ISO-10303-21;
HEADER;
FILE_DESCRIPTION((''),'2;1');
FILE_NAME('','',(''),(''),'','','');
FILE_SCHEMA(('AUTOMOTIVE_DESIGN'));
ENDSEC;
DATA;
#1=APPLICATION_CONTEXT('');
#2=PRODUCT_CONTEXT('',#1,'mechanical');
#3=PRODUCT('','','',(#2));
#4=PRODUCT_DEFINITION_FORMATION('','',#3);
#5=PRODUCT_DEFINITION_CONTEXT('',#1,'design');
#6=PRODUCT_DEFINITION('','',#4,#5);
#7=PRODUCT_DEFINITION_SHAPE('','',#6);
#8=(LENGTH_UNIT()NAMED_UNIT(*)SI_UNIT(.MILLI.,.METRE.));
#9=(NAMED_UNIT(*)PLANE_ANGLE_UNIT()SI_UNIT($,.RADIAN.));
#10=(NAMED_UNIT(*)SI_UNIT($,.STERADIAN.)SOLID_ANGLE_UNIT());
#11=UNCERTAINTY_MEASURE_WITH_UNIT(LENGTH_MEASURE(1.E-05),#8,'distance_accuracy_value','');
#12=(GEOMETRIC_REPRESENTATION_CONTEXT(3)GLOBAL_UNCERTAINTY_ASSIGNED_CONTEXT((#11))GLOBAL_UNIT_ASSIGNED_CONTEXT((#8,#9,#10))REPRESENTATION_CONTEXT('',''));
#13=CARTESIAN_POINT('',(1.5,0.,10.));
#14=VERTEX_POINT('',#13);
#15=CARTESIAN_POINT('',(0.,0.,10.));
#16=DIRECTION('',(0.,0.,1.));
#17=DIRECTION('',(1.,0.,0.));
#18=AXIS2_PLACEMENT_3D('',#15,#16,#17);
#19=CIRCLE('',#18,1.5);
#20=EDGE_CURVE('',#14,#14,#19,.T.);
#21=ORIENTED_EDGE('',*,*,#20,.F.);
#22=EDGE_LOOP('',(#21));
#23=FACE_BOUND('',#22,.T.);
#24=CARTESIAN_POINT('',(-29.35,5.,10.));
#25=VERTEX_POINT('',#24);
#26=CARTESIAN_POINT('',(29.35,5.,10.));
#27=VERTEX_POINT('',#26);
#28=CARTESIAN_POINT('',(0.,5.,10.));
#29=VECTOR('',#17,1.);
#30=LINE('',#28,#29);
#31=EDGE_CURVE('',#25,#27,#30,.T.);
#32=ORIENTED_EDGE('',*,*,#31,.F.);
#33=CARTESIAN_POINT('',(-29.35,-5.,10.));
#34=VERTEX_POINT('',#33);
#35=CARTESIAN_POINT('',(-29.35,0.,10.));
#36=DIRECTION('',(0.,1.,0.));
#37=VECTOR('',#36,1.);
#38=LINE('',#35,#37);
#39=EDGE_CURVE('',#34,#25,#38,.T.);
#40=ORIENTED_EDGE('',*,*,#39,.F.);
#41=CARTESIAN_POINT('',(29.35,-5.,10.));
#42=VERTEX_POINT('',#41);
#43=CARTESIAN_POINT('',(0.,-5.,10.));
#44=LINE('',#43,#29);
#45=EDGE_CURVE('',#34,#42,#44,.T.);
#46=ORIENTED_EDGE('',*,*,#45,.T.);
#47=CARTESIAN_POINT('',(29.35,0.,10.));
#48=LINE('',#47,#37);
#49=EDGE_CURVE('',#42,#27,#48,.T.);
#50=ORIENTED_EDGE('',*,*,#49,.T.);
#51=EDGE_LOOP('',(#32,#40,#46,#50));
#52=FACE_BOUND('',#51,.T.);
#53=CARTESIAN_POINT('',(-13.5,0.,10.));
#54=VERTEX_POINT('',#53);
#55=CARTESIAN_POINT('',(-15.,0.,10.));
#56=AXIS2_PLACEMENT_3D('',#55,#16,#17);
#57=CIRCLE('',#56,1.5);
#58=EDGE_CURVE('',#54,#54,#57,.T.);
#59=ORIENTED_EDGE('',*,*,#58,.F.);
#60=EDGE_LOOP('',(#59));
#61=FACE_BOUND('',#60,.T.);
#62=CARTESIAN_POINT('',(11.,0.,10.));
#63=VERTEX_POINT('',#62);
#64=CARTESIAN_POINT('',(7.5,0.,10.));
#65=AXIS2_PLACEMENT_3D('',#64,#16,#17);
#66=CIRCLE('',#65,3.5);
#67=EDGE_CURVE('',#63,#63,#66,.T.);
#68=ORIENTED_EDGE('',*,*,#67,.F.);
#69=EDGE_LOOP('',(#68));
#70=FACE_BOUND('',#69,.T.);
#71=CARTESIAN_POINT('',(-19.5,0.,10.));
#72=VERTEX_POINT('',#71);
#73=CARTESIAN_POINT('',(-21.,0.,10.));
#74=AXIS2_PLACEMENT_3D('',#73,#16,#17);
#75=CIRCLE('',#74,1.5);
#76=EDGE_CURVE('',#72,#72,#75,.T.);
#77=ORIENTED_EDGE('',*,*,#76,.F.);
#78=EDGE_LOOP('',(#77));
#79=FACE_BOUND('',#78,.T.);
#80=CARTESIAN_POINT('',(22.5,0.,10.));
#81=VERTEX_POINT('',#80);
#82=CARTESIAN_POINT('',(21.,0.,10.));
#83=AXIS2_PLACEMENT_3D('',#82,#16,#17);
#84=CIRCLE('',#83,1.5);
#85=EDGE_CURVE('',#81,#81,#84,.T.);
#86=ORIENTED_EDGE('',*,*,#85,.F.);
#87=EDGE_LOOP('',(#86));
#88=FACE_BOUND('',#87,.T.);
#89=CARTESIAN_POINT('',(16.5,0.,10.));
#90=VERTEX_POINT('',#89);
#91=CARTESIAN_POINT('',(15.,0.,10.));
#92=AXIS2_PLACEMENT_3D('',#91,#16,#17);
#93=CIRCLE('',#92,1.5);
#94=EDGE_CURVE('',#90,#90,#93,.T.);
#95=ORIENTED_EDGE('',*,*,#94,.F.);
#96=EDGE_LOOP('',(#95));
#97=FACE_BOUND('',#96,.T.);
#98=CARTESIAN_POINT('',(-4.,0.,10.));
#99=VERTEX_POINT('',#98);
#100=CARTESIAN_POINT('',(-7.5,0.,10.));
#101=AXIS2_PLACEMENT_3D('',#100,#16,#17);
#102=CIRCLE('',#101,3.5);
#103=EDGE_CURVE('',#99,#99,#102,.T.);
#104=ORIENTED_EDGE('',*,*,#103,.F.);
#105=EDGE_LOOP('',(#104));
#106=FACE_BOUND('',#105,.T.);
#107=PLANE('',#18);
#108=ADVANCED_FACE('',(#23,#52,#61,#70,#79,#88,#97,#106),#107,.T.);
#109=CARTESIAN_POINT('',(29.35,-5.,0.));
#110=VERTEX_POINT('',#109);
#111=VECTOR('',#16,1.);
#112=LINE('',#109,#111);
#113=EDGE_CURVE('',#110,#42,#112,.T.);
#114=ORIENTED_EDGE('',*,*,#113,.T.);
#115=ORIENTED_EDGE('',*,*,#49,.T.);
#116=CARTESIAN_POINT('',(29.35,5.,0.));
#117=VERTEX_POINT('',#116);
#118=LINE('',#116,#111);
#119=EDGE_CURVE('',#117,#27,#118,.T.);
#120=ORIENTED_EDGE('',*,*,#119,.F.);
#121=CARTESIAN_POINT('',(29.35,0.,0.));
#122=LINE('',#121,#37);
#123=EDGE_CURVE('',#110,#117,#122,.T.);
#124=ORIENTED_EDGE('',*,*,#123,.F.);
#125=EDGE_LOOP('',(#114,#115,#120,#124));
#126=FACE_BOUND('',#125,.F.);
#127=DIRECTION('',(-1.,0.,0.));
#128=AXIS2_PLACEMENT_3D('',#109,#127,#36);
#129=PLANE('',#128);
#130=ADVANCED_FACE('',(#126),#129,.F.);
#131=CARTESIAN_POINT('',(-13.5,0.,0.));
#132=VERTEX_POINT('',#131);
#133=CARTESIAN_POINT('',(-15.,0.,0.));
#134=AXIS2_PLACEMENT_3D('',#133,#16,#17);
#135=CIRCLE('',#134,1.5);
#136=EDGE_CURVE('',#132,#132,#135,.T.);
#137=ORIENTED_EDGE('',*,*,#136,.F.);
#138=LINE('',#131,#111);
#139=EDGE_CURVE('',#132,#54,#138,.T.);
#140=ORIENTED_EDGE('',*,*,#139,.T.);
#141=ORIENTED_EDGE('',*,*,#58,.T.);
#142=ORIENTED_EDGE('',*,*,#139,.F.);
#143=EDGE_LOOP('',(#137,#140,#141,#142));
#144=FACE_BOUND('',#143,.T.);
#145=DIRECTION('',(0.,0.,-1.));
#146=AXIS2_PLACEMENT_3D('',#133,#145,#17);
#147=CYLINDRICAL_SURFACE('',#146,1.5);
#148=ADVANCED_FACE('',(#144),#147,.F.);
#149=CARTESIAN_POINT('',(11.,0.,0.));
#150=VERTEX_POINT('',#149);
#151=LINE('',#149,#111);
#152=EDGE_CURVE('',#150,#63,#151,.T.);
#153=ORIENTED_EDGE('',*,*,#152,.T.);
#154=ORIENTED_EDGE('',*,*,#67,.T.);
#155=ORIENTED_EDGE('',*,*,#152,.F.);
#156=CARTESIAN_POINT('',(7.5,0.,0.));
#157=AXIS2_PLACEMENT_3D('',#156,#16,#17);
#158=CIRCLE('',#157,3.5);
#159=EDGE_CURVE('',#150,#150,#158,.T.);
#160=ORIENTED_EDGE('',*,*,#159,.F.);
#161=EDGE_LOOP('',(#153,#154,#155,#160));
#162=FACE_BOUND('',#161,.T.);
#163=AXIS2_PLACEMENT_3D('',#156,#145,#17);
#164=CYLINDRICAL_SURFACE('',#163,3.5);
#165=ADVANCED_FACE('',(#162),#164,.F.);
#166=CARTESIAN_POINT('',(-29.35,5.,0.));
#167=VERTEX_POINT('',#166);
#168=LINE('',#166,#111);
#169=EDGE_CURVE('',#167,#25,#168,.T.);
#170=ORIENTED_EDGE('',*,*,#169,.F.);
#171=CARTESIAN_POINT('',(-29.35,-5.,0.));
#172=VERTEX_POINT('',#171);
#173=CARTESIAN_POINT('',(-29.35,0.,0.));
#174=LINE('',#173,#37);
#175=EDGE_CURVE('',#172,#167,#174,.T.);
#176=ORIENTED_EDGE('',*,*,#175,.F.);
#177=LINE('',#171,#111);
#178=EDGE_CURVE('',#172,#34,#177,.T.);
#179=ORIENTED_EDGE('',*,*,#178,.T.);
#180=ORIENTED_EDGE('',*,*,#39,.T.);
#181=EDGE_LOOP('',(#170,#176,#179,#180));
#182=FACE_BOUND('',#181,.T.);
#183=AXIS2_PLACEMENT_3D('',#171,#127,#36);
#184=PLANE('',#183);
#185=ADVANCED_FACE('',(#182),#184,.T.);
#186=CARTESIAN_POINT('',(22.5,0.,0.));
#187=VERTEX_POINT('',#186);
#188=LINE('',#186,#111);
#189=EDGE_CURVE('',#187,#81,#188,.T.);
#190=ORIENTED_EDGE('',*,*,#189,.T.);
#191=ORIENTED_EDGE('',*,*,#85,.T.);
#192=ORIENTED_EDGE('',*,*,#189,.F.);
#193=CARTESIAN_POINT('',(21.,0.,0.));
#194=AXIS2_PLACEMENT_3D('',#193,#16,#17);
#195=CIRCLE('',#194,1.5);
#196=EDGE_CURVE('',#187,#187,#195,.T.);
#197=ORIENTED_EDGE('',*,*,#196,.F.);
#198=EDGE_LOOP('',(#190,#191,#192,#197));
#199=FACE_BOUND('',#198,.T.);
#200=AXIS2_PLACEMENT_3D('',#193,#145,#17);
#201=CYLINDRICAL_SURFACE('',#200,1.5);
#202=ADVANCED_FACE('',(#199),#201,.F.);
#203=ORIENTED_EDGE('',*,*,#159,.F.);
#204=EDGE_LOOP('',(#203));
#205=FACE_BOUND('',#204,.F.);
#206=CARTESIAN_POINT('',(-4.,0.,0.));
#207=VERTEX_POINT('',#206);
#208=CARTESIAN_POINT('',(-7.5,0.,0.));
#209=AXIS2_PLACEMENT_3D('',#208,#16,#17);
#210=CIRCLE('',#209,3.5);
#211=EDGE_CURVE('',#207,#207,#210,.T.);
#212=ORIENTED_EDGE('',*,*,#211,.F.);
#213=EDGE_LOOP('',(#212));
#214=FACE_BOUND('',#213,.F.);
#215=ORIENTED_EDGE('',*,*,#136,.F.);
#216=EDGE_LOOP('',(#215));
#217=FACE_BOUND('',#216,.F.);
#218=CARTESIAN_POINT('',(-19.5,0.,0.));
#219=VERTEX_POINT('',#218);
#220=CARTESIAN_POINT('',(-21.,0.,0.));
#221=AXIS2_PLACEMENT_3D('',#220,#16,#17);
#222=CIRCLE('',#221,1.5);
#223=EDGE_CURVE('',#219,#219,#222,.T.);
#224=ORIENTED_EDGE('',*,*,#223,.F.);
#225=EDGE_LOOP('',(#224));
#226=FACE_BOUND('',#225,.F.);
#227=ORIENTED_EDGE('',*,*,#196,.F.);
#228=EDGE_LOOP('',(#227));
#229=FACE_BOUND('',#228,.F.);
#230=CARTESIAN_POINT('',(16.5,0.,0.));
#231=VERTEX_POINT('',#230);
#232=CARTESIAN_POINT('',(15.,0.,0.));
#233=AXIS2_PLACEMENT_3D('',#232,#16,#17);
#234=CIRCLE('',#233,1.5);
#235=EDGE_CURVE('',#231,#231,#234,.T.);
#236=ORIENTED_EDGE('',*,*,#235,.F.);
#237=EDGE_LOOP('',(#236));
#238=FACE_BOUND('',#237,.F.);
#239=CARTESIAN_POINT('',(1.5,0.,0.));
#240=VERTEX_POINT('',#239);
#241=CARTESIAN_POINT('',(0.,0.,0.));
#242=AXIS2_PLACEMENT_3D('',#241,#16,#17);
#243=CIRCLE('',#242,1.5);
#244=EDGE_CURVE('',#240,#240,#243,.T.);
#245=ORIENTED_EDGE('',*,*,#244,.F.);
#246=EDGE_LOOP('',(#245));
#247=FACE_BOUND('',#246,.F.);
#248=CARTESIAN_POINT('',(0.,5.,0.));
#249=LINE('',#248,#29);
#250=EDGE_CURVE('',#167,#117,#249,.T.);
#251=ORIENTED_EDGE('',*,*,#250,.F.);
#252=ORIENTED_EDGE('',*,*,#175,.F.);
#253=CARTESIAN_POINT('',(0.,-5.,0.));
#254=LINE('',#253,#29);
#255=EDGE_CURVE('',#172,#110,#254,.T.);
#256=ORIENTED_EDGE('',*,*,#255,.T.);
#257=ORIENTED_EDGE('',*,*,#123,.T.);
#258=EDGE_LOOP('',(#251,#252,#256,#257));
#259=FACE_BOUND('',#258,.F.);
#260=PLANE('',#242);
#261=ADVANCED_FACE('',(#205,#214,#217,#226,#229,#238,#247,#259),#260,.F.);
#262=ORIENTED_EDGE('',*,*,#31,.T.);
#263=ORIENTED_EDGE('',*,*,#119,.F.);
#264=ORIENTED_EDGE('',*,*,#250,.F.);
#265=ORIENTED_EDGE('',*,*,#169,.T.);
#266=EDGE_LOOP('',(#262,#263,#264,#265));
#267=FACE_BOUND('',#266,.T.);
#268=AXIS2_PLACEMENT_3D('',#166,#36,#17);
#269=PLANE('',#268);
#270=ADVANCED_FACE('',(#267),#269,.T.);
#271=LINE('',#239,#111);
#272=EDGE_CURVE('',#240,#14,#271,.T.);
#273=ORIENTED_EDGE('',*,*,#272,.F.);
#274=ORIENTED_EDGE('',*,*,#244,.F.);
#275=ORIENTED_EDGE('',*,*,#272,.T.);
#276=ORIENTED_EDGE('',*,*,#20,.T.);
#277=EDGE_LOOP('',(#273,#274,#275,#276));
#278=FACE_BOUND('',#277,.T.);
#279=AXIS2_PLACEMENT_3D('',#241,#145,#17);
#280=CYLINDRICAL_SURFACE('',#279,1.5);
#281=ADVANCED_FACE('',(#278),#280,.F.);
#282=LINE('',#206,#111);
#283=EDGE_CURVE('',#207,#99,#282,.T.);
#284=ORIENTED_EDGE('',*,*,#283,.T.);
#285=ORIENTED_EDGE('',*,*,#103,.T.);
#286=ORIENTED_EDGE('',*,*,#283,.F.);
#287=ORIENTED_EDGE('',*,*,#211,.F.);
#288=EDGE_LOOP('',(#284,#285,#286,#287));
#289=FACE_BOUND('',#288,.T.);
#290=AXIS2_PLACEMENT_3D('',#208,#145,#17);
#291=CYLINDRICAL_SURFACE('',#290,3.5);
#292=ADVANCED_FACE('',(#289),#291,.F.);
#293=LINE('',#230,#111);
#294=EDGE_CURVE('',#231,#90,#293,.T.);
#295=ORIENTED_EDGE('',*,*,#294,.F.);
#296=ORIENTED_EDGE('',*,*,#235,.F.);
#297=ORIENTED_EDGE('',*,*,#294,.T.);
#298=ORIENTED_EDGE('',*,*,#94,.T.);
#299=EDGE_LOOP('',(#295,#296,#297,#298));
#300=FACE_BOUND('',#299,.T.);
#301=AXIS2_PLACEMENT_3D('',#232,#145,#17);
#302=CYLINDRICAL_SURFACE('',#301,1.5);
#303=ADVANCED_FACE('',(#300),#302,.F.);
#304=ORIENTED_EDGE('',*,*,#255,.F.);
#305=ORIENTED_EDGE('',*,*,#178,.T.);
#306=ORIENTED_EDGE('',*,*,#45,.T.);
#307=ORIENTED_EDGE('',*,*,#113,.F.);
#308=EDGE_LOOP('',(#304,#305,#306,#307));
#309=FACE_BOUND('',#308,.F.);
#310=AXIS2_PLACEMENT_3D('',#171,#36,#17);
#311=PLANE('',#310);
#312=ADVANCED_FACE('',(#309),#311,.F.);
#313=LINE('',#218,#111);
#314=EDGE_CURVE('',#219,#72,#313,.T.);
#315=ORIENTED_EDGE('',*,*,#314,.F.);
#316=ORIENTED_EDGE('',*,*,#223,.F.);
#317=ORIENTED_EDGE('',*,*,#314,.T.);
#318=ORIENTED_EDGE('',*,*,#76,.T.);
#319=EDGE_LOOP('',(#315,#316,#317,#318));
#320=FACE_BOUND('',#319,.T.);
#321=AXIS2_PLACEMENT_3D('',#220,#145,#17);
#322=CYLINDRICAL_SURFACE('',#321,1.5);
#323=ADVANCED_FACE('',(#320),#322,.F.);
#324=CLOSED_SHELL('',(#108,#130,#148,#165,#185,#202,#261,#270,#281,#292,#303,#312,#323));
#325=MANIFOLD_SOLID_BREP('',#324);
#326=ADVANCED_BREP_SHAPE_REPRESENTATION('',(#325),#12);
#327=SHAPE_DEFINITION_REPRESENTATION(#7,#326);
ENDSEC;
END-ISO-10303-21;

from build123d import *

# Parameters (mm, degrees)
F0_W     = 58.7
F0_H     = 10
F0_R     = 1.5
F0_R_2   = 3.5
F1_DEPTH = 10


with BuildPart() as f1:
    # F0 (on Top) → F1 (new body)
    with BuildSketch(Plane.XY):
        Rectangle(F0_W, F0_H)
        with Locations((-21, 0)):
            Circle(F0_R, mode=Mode.SUBTRACT)
        with Locations((-15, 0)):
            Circle(F0_R, mode=Mode.SUBTRACT)
        with Locations((-7.5, 0)):
            Circle(F0_R_2, mode=Mode.SUBTRACT)
        Circle(F0_R, mode=Mode.SUBTRACT)
        with Locations((7.5, 0)):
            Circle(F0_R_2, mode=Mode.SUBTRACT)
        with Locations((15, 0)):
            Circle(F0_R, mode=Mode.SUBTRACT)
        with Locations((21, 0)):
            Circle(F0_R, mode=Mode.SUBTRACT)
    extrude(amount=F1_DEPTH)


solid = f1.part
